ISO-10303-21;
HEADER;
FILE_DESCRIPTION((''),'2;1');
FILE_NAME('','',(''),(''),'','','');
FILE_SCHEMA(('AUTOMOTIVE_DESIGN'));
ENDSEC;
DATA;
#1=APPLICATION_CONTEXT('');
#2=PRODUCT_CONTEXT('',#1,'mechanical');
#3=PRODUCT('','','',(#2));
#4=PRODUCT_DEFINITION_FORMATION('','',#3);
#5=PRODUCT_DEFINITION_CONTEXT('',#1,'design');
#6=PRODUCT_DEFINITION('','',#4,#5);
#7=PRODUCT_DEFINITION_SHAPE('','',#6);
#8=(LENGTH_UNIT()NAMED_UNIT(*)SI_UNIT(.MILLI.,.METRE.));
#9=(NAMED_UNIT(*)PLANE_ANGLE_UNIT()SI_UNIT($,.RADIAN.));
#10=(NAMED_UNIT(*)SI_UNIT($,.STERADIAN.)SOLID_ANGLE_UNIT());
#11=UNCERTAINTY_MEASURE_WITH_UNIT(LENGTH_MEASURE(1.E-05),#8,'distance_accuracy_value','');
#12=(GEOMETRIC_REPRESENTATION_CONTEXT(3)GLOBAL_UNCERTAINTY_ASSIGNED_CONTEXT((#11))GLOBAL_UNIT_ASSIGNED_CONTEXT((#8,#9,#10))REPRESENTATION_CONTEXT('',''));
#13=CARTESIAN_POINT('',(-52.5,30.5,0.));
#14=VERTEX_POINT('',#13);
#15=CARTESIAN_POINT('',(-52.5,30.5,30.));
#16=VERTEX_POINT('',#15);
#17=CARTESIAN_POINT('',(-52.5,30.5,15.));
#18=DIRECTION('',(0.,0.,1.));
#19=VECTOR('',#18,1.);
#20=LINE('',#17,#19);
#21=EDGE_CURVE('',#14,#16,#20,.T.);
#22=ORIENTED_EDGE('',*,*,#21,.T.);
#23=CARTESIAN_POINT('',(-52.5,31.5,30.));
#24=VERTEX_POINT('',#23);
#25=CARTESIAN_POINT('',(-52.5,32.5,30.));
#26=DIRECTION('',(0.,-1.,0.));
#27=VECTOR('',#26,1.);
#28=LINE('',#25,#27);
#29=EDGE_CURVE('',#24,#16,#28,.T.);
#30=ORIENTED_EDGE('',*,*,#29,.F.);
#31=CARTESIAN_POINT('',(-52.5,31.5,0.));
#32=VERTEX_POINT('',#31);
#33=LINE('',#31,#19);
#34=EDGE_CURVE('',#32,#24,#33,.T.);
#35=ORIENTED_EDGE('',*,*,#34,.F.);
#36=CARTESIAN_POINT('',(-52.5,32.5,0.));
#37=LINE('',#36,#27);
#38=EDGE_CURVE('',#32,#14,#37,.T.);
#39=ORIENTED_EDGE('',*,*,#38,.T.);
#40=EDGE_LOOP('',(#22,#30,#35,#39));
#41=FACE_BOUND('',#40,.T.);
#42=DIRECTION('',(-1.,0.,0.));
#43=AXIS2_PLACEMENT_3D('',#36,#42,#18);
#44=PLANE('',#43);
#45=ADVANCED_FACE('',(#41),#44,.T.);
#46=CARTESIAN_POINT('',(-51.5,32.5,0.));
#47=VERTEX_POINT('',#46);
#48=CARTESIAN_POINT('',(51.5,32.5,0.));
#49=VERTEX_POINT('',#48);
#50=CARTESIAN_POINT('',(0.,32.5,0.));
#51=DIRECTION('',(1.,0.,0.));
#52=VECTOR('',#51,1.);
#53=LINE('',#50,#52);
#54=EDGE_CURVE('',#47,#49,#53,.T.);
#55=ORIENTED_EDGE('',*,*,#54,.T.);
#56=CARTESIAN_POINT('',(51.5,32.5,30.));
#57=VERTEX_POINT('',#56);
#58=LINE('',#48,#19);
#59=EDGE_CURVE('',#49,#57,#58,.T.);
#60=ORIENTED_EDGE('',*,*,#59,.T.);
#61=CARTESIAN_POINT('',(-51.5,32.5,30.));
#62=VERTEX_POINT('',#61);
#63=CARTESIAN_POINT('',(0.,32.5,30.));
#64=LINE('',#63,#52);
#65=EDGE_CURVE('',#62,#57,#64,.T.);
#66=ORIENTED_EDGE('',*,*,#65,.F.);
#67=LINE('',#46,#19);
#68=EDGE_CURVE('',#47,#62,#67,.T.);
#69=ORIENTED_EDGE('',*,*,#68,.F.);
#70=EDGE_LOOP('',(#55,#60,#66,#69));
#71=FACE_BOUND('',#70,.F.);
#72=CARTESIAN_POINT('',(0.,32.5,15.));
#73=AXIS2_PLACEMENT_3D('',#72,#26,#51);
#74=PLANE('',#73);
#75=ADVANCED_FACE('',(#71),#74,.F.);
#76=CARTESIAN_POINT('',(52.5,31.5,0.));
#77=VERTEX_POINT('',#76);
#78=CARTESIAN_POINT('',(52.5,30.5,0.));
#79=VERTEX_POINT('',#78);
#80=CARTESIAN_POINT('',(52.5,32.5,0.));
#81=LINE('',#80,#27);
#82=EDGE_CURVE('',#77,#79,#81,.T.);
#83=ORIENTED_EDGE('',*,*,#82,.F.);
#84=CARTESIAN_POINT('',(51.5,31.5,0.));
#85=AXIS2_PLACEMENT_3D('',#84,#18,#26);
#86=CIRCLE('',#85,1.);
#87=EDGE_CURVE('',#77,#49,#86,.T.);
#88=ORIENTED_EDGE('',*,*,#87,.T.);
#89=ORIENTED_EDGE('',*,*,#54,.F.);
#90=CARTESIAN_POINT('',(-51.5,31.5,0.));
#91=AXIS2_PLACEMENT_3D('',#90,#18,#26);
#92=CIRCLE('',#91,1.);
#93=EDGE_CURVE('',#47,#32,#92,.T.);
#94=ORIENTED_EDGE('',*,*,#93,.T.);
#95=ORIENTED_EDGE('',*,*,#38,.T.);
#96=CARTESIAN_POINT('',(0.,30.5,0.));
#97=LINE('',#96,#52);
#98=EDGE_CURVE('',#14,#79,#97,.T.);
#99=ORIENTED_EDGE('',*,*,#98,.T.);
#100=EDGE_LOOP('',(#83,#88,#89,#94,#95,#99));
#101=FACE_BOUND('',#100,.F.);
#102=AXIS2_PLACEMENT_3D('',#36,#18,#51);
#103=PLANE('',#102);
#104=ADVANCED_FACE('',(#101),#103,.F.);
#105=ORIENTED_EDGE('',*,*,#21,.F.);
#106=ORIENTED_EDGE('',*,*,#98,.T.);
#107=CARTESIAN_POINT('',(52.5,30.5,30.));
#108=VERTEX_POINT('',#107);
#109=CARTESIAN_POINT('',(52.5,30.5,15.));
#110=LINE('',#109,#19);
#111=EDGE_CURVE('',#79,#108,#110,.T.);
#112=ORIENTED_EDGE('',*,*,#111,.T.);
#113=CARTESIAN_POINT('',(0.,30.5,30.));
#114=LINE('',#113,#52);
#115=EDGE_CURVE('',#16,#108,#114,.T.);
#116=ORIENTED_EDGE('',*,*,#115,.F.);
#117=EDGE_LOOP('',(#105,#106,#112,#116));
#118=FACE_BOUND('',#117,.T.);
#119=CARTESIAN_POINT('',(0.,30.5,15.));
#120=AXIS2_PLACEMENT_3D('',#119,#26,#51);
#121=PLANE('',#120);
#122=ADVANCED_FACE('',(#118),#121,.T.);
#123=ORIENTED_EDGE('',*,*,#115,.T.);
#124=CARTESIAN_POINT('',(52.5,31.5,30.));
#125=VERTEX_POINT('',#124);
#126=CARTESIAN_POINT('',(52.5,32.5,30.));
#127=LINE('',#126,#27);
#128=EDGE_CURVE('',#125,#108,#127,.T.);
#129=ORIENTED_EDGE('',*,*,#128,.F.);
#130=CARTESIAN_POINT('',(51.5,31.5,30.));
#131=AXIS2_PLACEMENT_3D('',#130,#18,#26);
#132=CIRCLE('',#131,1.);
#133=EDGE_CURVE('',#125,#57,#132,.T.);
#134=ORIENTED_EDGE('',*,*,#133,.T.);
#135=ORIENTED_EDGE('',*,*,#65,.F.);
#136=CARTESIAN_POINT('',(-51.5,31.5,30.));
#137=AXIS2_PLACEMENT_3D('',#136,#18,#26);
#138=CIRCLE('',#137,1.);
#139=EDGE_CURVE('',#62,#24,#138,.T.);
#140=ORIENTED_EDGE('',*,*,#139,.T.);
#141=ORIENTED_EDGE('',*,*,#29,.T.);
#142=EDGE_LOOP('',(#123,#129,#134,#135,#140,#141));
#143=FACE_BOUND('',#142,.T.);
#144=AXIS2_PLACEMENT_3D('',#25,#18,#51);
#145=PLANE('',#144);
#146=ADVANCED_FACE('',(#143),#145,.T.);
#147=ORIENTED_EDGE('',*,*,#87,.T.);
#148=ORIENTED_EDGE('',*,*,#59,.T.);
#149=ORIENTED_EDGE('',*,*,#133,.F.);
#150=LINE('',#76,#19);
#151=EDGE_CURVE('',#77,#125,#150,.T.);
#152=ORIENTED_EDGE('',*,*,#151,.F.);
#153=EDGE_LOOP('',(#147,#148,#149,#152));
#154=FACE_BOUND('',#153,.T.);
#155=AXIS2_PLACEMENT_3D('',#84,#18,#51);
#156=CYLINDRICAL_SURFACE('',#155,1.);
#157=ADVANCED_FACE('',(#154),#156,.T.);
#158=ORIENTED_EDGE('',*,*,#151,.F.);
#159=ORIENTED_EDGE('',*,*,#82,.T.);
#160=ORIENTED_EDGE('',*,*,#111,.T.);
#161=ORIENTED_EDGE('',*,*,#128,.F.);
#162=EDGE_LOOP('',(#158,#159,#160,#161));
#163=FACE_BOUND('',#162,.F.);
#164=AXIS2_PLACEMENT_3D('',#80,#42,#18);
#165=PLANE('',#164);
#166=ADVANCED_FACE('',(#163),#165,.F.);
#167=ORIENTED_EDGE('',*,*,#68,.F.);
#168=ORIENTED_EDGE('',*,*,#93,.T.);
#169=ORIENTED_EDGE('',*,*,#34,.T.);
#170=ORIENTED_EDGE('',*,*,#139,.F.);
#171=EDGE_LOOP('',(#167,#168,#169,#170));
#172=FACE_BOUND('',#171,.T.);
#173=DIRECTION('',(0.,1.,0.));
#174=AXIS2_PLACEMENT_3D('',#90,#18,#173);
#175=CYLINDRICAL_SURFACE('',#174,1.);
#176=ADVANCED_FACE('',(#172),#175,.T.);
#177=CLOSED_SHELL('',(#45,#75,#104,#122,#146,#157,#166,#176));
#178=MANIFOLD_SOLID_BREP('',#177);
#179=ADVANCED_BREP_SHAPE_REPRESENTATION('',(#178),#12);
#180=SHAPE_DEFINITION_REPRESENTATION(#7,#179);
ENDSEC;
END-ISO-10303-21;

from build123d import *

# Parameters (mm, degrees)
SKETCH003_W  = 105
SKETCH003_H  = 30
PAD002_DEPTH = 2
FILLET009_R  = 1
FILLET017_R  = 1


with BuildPart() as part:
    # Sketch003 → Pad002 (new body)
    with BuildSketch(Plane.XZ):
        with Locations((0, 15)):
            Rectangle(SKETCH003_W, SKETCH003_H)
    extrude(amount=PAD002_DEPTH)

    # Fillet009
    fillet009_edges = [part.edges().sort_by_distance(p)[0] for p in [
        (52.5, 0, 15),
    ]]
    fillet(fillet009_edges, radius=FILLET009_R)

    # Fillet017
    fillet017_edges = [part.edges().sort_by_distance(p)[0] for p in [
        (-52.5, 0, 15),
    ]]
    fillet(fillet017_edges, radius=FILLET017_R)


with BuildPart() as part_1:
    # Body002 placement: moved
    add(part.part.moved(Location((0, 32.5, 0))))


solid = part_1.part
